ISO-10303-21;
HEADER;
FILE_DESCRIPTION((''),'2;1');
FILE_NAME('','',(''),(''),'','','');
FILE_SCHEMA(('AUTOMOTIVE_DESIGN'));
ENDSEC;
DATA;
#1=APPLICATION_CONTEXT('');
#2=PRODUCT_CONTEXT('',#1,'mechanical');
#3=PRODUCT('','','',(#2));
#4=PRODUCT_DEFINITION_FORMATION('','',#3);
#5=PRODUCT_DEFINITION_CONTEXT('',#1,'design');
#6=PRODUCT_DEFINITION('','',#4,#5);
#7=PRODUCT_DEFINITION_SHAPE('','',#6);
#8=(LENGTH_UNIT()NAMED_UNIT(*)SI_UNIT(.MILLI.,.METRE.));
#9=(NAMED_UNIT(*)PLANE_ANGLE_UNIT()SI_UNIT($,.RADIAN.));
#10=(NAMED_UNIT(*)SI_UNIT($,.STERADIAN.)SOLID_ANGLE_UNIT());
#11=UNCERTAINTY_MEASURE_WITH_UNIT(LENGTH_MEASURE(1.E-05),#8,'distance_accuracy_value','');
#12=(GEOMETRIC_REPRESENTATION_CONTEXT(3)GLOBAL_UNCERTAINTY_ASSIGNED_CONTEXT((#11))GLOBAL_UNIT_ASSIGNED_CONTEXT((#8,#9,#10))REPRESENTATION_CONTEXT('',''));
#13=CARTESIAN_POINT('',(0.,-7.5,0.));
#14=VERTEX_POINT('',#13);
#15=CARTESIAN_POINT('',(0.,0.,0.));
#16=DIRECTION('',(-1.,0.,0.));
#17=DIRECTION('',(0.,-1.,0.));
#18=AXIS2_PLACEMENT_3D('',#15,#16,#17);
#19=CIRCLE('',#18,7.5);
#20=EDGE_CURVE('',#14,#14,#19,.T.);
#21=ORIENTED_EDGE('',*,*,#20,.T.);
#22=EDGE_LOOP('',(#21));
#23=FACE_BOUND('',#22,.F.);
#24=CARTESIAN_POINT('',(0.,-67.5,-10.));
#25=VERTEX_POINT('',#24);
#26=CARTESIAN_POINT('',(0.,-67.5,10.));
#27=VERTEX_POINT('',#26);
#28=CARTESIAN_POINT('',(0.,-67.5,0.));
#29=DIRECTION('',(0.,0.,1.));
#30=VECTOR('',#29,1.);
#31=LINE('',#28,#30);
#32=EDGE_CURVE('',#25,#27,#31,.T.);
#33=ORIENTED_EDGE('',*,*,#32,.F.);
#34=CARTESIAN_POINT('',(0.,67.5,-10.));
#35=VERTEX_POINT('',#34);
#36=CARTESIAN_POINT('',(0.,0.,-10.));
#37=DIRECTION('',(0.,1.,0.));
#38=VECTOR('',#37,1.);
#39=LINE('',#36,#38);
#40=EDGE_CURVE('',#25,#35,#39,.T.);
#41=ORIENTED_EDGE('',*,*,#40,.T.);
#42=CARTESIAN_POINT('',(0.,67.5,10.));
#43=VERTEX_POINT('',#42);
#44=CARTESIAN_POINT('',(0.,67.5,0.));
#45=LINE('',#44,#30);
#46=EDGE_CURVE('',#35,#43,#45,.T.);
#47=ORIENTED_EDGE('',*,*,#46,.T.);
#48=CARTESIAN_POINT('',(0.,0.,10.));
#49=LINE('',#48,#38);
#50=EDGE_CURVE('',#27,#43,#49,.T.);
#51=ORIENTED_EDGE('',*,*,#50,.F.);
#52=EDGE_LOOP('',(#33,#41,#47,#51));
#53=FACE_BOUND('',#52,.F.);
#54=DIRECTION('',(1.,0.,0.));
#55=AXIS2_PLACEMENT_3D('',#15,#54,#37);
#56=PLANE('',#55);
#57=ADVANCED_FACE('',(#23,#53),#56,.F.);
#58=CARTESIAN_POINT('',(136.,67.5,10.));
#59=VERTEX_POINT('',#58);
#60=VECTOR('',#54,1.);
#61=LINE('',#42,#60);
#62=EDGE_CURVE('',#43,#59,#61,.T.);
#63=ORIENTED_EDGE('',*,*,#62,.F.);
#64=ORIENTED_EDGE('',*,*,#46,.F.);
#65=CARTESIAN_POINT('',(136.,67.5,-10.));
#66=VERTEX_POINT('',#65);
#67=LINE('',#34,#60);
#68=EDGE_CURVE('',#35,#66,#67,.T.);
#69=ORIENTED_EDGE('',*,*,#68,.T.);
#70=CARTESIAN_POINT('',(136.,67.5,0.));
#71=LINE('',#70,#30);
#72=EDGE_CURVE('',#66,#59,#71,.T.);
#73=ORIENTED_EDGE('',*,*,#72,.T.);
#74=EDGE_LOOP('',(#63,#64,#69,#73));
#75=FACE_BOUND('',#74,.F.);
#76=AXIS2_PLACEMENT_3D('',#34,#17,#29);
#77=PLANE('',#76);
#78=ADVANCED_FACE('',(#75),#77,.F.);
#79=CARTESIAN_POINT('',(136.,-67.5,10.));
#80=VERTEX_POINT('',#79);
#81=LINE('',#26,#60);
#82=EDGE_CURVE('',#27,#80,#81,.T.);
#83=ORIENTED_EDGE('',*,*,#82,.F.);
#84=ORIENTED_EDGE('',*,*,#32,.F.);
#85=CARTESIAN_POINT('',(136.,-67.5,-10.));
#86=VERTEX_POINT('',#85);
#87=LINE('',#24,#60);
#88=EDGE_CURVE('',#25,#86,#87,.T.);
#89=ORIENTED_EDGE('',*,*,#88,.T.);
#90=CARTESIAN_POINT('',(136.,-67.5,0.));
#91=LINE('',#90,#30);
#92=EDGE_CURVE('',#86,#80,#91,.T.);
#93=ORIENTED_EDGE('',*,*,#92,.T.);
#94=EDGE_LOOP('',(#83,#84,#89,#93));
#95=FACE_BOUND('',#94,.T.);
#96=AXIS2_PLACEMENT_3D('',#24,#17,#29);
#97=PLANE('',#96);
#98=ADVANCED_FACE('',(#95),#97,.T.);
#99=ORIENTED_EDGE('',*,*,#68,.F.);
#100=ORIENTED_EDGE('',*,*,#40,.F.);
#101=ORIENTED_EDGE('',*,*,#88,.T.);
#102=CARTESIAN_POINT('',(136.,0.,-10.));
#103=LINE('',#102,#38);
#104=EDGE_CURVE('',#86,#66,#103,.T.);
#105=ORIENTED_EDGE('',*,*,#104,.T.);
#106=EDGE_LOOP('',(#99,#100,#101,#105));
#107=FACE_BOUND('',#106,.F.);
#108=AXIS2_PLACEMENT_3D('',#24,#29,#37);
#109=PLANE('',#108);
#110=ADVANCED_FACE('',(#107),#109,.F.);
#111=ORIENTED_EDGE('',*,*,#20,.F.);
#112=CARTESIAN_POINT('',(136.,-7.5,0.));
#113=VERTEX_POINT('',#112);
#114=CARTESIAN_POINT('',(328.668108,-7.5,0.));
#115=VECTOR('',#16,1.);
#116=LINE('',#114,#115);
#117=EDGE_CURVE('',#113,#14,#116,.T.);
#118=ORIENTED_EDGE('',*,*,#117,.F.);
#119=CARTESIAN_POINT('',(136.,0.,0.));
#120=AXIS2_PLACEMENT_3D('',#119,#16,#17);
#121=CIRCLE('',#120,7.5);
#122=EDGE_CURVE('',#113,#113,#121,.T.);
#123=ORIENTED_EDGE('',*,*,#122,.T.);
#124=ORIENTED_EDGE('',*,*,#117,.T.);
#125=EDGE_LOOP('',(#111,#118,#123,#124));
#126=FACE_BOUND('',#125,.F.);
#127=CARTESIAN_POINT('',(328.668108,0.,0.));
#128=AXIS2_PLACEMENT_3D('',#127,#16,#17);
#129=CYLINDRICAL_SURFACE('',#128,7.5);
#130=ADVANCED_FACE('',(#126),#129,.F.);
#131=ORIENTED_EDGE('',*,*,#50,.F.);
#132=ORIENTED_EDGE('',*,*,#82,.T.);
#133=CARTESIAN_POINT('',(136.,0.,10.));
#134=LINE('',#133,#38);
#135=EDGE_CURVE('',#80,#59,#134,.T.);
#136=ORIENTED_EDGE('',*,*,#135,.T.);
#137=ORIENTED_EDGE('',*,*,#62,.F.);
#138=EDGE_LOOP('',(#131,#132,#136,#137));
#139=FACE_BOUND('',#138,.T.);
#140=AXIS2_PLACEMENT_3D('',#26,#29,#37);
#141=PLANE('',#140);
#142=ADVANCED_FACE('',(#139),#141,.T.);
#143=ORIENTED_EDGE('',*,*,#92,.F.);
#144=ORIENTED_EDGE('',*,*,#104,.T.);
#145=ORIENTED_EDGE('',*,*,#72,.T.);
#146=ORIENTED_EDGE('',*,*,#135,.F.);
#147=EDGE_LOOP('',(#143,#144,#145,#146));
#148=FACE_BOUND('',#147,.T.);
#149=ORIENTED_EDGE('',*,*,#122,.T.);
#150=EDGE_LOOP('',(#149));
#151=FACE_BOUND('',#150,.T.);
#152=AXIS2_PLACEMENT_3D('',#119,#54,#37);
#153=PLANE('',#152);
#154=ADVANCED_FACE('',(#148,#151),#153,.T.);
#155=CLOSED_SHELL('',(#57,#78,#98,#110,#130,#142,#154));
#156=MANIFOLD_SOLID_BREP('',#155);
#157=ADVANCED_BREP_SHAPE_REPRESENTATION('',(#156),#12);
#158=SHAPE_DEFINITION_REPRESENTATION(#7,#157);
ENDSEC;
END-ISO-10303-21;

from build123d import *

# Parameters (mm, degrees)
F0_W     = 135
F0_H     = 20
F1_DEPTH = 136
F3_D     = 15


with BuildPart() as f1:
    # F0 (on Right) → F1 (new body)
    with BuildSketch(Plane.YZ):
        Rectangle(F0_W, F0_H)
    extrude(amount=F1_DEPTH)

    # F3 (through all)
    with Locations(Plane.YZ.offset(136)):
        with Locations((0, 0)):
            Hole(F3_D / 2)


solid = f1.part
